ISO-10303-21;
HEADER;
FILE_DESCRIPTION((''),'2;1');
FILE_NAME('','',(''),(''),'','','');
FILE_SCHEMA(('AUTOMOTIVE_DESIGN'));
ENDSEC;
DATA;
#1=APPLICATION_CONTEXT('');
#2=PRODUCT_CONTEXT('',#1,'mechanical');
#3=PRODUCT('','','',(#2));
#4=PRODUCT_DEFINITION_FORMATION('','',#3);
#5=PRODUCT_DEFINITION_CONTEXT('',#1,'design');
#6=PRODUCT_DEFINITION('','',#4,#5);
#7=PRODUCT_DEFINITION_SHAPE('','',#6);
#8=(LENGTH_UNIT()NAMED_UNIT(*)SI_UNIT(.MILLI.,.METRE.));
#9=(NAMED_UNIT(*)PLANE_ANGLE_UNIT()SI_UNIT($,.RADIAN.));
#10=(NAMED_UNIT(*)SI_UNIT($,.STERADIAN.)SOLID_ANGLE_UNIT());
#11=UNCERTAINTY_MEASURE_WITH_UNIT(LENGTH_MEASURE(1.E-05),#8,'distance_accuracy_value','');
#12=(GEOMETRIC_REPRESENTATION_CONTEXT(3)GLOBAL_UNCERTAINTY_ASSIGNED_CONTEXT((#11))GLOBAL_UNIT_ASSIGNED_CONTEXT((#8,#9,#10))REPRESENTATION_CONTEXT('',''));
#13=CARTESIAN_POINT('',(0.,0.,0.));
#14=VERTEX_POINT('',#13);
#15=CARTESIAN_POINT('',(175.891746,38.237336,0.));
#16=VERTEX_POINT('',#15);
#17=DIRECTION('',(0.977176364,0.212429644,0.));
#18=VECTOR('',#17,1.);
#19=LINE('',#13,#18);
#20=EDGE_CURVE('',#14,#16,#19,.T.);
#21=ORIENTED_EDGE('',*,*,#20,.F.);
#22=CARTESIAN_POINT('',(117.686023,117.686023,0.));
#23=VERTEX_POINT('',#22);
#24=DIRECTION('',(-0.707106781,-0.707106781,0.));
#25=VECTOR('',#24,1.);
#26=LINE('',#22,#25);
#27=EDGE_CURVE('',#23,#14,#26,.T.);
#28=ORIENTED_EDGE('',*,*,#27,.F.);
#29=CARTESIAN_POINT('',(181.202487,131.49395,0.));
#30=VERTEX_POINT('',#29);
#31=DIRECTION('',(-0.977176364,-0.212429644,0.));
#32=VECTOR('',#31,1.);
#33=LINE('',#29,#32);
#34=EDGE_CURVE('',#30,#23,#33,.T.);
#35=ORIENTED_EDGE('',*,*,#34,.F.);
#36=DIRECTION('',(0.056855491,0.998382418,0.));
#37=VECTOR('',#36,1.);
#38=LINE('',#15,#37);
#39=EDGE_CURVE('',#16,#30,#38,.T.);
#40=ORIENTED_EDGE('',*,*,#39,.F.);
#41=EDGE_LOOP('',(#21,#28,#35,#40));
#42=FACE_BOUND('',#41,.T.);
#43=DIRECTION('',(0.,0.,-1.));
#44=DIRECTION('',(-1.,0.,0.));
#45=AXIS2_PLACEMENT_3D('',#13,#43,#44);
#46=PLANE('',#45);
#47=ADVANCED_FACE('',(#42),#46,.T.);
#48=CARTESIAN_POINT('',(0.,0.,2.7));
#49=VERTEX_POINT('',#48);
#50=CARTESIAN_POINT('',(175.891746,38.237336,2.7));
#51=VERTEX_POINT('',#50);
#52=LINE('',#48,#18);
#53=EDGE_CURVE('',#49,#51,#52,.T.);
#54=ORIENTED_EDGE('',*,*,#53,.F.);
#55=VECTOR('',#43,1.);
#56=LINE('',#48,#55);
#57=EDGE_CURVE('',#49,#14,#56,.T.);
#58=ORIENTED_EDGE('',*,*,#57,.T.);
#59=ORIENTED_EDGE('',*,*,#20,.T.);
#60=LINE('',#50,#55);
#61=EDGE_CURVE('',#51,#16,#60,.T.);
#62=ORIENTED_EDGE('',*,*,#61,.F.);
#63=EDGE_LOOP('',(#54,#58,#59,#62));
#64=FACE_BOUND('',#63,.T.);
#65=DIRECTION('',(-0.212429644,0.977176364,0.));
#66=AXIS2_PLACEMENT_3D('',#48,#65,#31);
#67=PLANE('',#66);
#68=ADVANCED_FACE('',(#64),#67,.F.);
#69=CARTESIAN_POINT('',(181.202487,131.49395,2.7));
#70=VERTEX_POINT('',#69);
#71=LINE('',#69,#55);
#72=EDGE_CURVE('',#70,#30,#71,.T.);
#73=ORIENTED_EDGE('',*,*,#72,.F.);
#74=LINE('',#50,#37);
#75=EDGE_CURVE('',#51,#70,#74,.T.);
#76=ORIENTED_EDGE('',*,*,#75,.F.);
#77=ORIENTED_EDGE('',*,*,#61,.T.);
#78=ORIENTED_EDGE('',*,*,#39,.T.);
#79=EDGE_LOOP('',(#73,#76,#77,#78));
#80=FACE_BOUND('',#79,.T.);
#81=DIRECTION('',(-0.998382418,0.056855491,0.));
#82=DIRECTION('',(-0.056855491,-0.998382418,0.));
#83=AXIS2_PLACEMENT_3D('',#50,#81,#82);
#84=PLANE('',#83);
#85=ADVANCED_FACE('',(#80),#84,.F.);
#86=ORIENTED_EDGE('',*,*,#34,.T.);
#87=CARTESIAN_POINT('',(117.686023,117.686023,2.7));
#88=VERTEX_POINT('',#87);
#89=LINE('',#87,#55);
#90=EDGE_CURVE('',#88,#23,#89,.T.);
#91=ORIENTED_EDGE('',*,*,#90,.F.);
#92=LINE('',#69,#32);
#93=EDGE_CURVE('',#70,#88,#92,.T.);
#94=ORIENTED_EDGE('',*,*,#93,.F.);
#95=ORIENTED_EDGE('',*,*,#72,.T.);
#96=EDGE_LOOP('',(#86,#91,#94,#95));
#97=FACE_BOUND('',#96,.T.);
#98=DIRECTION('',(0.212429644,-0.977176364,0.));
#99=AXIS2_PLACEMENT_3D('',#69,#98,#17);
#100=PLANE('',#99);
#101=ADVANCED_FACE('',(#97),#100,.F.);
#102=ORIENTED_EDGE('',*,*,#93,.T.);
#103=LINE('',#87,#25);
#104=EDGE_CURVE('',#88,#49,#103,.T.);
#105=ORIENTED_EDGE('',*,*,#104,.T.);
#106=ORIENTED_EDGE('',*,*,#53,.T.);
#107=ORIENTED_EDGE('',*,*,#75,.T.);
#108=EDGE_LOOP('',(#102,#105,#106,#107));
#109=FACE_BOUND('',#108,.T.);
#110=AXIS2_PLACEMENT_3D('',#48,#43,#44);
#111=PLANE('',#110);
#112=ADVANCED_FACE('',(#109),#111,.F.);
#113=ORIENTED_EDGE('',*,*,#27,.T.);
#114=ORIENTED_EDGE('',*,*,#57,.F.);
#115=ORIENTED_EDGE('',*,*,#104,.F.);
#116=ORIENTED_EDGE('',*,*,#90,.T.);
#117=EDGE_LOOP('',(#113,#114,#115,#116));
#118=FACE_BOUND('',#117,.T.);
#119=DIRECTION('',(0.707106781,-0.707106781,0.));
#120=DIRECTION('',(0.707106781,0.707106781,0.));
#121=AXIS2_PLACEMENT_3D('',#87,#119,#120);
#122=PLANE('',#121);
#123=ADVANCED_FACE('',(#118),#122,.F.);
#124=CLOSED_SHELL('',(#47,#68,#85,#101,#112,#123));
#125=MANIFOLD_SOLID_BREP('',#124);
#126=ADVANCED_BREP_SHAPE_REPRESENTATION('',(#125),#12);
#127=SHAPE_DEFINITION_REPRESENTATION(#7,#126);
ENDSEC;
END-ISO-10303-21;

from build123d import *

# Parameters (mm, degrees)
BOSS_EXTRUDE1_DEPTH = 2.7


with BuildPart() as part:
    # Sketch1 → Boss-Extrude1 (new body)
    with BuildSketch(Plane.XY):
        Polygon((0, 0), (175.891745506, 38.23733598), (181.202486614, 131.493949841), (117.686022959, 117.686022959), align=None)
    extrude(amount=BOSS_EXTRUDE1_DEPTH)


solid = part.part
